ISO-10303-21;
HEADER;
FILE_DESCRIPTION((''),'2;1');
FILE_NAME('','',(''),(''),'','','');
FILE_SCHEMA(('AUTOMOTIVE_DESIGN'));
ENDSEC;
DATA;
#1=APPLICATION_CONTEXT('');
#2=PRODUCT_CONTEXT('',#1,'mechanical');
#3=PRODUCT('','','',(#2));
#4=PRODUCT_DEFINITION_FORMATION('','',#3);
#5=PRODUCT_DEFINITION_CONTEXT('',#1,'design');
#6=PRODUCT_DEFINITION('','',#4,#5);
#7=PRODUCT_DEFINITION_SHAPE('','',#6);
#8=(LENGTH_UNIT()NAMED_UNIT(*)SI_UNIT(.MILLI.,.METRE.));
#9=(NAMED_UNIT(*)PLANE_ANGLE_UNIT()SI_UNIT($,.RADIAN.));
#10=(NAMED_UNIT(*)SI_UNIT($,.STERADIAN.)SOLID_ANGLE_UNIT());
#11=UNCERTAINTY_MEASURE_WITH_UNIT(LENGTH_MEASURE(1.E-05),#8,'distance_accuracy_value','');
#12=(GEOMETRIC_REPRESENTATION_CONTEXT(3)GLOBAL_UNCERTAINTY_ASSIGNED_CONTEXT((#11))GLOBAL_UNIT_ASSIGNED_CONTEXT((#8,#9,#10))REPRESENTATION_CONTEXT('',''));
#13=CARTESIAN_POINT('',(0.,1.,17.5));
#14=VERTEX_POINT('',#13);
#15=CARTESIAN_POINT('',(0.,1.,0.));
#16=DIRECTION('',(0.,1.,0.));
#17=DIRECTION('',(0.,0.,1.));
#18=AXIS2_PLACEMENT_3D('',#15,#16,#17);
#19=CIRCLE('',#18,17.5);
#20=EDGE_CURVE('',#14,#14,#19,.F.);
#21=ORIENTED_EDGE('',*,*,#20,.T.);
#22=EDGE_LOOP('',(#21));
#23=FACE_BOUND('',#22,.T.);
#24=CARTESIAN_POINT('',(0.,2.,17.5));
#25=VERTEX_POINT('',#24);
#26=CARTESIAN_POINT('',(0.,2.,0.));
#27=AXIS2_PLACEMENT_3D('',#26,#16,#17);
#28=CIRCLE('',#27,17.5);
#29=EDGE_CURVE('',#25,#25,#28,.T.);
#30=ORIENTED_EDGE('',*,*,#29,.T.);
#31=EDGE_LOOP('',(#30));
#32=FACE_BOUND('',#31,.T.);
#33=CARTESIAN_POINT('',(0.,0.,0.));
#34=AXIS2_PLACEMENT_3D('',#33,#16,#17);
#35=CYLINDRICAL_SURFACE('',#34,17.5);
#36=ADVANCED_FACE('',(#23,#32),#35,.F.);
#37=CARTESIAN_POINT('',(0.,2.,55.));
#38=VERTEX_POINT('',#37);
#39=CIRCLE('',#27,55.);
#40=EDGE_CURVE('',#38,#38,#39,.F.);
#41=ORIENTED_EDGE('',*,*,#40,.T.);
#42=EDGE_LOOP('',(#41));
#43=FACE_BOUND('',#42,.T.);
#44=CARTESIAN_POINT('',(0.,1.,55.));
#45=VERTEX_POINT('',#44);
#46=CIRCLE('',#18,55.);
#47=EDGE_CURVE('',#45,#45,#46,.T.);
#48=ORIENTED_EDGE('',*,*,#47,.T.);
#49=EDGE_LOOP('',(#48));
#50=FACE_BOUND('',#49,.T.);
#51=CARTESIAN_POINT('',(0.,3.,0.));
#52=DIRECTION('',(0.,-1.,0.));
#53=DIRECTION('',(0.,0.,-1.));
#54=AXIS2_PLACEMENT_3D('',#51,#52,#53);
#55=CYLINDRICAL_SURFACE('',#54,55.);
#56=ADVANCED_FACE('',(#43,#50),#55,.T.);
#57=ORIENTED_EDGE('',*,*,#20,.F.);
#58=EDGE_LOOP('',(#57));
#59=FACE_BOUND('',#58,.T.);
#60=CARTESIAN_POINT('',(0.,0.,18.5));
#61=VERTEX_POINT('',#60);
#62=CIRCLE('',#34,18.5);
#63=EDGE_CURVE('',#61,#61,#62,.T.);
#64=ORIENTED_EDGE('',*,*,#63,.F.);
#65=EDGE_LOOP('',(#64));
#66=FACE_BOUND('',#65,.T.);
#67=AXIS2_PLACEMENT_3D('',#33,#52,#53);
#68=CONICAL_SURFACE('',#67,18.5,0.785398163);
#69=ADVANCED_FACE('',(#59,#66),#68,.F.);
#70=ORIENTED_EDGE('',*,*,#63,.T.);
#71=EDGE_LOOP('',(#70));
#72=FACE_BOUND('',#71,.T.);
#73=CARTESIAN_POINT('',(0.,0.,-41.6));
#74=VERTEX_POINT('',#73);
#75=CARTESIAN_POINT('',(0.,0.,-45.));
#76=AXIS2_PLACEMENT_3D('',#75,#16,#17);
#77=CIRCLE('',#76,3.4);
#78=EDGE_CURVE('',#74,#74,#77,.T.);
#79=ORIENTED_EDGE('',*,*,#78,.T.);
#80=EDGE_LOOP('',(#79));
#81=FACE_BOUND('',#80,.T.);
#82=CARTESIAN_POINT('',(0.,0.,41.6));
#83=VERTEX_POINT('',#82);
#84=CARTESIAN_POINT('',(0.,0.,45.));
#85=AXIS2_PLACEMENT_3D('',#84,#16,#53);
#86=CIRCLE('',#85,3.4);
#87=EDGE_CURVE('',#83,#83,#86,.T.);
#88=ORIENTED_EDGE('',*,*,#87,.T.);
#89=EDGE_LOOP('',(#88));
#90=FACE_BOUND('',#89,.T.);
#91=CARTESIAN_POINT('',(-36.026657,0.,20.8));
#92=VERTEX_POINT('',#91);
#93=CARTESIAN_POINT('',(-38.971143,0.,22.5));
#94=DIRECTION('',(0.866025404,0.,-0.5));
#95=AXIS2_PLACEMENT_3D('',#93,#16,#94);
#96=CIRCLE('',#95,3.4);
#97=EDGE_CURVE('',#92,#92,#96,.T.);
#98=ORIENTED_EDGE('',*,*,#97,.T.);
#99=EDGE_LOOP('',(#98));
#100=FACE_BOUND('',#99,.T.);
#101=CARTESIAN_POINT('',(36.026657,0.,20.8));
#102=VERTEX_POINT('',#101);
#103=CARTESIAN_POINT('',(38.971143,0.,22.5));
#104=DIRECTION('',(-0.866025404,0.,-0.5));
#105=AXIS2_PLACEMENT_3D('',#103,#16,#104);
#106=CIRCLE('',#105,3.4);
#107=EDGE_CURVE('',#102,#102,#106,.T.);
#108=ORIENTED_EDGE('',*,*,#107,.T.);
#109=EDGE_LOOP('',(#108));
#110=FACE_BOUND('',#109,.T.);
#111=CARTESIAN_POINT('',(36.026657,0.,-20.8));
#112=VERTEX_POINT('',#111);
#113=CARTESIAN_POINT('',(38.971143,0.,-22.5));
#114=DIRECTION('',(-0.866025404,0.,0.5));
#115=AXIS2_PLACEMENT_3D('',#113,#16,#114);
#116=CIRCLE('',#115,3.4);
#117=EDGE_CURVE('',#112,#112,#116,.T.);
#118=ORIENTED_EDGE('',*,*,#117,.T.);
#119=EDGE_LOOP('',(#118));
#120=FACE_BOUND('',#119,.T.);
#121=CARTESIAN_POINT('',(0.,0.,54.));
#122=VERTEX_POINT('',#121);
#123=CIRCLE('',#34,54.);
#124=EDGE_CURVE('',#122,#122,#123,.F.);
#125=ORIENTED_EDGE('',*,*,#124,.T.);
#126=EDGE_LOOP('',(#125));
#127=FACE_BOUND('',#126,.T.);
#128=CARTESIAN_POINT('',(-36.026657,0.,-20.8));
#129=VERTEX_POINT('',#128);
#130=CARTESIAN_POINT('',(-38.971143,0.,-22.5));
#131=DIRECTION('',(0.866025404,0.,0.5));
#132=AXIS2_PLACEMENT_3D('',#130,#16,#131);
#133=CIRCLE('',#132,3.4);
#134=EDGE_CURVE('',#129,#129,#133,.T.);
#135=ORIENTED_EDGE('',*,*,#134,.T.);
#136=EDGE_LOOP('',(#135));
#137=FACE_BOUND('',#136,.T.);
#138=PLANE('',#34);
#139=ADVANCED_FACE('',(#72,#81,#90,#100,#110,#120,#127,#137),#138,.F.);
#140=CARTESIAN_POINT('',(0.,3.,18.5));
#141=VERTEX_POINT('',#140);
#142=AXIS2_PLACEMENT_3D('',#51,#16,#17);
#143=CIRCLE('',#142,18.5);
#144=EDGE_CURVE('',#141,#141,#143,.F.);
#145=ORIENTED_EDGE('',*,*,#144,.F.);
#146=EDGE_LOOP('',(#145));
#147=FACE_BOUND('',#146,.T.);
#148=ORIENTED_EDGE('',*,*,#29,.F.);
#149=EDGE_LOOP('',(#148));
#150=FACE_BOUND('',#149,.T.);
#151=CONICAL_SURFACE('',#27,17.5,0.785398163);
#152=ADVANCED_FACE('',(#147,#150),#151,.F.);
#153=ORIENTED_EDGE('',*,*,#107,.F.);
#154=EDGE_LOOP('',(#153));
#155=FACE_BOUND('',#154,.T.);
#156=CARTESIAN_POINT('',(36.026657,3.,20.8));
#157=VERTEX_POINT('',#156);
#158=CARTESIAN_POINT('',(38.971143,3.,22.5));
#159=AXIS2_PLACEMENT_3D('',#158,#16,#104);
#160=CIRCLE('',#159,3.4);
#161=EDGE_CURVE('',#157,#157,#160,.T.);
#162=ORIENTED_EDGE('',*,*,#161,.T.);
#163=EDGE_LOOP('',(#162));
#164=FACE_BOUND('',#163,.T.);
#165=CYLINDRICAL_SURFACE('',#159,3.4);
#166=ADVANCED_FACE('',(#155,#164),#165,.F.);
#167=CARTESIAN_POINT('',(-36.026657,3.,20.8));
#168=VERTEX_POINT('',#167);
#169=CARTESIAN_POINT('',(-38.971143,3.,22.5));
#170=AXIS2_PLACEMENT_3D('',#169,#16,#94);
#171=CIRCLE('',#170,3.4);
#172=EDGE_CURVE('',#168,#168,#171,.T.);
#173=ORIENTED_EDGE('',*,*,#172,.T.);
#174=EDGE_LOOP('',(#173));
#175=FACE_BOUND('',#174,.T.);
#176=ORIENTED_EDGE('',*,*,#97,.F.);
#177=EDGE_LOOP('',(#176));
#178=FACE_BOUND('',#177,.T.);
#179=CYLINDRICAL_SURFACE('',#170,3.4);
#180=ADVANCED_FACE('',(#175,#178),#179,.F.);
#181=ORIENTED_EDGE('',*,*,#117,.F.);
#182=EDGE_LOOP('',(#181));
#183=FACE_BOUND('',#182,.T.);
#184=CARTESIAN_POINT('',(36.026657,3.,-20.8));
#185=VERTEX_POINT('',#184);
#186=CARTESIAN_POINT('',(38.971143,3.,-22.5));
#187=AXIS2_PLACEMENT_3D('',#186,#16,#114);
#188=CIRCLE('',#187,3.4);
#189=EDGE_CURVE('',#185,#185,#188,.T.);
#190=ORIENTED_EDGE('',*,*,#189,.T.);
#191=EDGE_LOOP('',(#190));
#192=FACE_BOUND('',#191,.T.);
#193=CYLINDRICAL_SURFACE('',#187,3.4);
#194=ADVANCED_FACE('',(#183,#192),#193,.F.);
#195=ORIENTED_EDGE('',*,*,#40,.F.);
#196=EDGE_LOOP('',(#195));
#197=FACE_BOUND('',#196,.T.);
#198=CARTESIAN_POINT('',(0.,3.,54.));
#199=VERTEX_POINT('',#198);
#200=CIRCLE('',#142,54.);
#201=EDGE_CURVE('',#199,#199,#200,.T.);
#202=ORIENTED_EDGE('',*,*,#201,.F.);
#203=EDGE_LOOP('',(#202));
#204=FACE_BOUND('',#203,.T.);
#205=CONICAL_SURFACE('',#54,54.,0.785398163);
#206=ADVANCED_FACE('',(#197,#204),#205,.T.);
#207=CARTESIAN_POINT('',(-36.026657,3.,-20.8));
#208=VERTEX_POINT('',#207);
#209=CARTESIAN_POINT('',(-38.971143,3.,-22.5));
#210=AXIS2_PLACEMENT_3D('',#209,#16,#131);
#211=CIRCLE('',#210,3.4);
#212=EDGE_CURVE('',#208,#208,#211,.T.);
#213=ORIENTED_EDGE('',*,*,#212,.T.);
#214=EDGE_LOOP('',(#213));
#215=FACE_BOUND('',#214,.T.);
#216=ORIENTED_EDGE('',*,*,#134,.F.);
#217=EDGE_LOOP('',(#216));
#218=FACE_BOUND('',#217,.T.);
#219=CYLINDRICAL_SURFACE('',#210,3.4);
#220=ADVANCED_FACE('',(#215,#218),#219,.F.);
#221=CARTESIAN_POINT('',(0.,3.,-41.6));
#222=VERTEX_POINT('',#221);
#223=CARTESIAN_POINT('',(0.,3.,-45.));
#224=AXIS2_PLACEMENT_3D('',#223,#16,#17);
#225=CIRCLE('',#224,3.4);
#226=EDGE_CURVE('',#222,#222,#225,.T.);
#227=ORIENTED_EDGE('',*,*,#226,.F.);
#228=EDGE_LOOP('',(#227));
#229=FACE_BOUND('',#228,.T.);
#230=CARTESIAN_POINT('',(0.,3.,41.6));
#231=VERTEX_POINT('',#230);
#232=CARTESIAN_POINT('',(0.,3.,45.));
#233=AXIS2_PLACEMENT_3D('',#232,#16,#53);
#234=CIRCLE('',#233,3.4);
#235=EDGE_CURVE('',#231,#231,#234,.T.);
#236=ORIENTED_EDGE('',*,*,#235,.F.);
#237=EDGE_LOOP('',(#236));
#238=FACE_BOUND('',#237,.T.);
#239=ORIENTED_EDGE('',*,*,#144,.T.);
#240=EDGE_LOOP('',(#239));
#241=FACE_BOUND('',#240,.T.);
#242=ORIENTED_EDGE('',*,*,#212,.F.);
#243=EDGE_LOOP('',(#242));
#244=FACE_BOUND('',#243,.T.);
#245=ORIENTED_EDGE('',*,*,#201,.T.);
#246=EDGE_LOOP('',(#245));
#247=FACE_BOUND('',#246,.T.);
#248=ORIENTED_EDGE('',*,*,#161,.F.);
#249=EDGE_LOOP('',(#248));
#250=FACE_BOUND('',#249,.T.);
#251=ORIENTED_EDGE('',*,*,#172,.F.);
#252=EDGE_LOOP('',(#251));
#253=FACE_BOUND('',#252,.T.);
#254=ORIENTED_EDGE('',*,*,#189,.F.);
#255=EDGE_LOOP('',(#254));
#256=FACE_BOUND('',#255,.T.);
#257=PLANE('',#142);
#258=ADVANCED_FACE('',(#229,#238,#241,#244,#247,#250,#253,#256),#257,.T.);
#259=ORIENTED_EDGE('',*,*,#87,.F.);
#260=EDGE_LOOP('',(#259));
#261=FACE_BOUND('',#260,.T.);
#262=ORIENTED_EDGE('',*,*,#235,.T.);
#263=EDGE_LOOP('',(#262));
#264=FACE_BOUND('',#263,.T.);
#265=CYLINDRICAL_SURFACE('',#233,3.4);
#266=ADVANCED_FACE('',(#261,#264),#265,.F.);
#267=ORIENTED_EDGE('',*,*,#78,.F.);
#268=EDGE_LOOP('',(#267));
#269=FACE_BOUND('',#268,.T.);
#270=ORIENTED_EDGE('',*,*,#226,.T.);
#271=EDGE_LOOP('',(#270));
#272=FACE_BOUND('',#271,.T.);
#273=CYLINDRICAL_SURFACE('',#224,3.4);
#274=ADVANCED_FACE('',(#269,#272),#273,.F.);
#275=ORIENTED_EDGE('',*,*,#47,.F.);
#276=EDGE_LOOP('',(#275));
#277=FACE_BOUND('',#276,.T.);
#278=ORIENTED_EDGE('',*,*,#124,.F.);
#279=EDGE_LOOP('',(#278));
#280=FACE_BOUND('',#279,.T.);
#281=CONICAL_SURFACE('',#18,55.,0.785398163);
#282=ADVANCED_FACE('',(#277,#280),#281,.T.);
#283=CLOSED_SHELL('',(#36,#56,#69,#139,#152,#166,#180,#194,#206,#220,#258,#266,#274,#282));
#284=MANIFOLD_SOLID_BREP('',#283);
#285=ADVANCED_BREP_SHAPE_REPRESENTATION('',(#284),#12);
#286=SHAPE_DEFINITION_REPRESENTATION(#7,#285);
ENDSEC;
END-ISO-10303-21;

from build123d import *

# Parameters (mm, degrees)
SKETCH_1_R               = 55
EXTRUDE_1_DEPTH          = 3
PATTERN_CIRCULAR_1_COUNT = 6
SKETCH_2_R               = 17.5
CUT_EXTRUDE_1_DEPTH      = 3
CHAMFER_1_SIZE           = 1
CHAMFER_2_SIZE           = 1


with BuildPart() as part:
    # 草图1 → 凸台-拉伸1 (new body)
    with BuildSketch(Plane(origin=(0, 0, 0), x_dir=(1, 0, 0), z_dir=(0, 1, 0))):
        with Locations(Location((0, 0, 0), (0, 0, 270))):
            Circle(SKETCH_1_R)
    extrude(amount=EXTRUDE_1_DEPTH)

    # 草图4 → M8 螺纹孔的螺纹孔钻头1 (revolve, cut)
    with BuildSketch(Plane(origin=(0, 3, -45), x_dir=(0, 0, 1), z_dir=(1, 0, 0))):
        Polygon((0, 0), (0, 18.042926105), (3.4, 16), (3.4, 0), align=None)
    hole_wizard_m8_1 = revolve(axis=Axis((0, 9.35, -45), (0, -1, 0)), mode=Mode.SUBTRACT)

    # 阵列(圆周)1: M8 螺纹孔的螺纹孔钻头1 ×6 about axis
    pattern_circular_1_axis = Axis((0, 0, 0), (0, 1, 0))
    for i in range(1, PATTERN_CIRCULAR_1_COUNT):
        add(hole_wizard_m8_1.rotate(pattern_circular_1_axis, i * 360 / PATTERN_CIRCULAR_1_COUNT), mode=Mode.SUBTRACT)

    # 草图2 → 切除-拉伸1 (cut)
    with BuildSketch(Plane(origin=(0, 3, 0), x_dir=(1, 0, 0), z_dir=(0, 1, 0))):
        with Locations(Location((0, 0, 0), (0, 0, 270))):
            Circle(SKETCH_2_R)
    extrude(amount=-CUT_EXTRUDE_1_DEPTH, mode=Mode.SUBTRACT)

    # 倒角1
    chamfer_1_edges = [part.edges().sort_by_distance(p)[0] for p in [
        (0, 0, -55),
        (0, 3, -55),
    ]]
    chamfer(chamfer_1_edges, length=CHAMFER_1_SIZE)

    # 倒角2
    chamfer_2_edges = [part.edges().sort_by_distance(p)[0] for p in [
        (0, 0, -17.5),
        (0, 3, -17.5),
    ]]
    chamfer(chamfer_2_edges, length=CHAMFER_2_SIZE)


solid = part.part
